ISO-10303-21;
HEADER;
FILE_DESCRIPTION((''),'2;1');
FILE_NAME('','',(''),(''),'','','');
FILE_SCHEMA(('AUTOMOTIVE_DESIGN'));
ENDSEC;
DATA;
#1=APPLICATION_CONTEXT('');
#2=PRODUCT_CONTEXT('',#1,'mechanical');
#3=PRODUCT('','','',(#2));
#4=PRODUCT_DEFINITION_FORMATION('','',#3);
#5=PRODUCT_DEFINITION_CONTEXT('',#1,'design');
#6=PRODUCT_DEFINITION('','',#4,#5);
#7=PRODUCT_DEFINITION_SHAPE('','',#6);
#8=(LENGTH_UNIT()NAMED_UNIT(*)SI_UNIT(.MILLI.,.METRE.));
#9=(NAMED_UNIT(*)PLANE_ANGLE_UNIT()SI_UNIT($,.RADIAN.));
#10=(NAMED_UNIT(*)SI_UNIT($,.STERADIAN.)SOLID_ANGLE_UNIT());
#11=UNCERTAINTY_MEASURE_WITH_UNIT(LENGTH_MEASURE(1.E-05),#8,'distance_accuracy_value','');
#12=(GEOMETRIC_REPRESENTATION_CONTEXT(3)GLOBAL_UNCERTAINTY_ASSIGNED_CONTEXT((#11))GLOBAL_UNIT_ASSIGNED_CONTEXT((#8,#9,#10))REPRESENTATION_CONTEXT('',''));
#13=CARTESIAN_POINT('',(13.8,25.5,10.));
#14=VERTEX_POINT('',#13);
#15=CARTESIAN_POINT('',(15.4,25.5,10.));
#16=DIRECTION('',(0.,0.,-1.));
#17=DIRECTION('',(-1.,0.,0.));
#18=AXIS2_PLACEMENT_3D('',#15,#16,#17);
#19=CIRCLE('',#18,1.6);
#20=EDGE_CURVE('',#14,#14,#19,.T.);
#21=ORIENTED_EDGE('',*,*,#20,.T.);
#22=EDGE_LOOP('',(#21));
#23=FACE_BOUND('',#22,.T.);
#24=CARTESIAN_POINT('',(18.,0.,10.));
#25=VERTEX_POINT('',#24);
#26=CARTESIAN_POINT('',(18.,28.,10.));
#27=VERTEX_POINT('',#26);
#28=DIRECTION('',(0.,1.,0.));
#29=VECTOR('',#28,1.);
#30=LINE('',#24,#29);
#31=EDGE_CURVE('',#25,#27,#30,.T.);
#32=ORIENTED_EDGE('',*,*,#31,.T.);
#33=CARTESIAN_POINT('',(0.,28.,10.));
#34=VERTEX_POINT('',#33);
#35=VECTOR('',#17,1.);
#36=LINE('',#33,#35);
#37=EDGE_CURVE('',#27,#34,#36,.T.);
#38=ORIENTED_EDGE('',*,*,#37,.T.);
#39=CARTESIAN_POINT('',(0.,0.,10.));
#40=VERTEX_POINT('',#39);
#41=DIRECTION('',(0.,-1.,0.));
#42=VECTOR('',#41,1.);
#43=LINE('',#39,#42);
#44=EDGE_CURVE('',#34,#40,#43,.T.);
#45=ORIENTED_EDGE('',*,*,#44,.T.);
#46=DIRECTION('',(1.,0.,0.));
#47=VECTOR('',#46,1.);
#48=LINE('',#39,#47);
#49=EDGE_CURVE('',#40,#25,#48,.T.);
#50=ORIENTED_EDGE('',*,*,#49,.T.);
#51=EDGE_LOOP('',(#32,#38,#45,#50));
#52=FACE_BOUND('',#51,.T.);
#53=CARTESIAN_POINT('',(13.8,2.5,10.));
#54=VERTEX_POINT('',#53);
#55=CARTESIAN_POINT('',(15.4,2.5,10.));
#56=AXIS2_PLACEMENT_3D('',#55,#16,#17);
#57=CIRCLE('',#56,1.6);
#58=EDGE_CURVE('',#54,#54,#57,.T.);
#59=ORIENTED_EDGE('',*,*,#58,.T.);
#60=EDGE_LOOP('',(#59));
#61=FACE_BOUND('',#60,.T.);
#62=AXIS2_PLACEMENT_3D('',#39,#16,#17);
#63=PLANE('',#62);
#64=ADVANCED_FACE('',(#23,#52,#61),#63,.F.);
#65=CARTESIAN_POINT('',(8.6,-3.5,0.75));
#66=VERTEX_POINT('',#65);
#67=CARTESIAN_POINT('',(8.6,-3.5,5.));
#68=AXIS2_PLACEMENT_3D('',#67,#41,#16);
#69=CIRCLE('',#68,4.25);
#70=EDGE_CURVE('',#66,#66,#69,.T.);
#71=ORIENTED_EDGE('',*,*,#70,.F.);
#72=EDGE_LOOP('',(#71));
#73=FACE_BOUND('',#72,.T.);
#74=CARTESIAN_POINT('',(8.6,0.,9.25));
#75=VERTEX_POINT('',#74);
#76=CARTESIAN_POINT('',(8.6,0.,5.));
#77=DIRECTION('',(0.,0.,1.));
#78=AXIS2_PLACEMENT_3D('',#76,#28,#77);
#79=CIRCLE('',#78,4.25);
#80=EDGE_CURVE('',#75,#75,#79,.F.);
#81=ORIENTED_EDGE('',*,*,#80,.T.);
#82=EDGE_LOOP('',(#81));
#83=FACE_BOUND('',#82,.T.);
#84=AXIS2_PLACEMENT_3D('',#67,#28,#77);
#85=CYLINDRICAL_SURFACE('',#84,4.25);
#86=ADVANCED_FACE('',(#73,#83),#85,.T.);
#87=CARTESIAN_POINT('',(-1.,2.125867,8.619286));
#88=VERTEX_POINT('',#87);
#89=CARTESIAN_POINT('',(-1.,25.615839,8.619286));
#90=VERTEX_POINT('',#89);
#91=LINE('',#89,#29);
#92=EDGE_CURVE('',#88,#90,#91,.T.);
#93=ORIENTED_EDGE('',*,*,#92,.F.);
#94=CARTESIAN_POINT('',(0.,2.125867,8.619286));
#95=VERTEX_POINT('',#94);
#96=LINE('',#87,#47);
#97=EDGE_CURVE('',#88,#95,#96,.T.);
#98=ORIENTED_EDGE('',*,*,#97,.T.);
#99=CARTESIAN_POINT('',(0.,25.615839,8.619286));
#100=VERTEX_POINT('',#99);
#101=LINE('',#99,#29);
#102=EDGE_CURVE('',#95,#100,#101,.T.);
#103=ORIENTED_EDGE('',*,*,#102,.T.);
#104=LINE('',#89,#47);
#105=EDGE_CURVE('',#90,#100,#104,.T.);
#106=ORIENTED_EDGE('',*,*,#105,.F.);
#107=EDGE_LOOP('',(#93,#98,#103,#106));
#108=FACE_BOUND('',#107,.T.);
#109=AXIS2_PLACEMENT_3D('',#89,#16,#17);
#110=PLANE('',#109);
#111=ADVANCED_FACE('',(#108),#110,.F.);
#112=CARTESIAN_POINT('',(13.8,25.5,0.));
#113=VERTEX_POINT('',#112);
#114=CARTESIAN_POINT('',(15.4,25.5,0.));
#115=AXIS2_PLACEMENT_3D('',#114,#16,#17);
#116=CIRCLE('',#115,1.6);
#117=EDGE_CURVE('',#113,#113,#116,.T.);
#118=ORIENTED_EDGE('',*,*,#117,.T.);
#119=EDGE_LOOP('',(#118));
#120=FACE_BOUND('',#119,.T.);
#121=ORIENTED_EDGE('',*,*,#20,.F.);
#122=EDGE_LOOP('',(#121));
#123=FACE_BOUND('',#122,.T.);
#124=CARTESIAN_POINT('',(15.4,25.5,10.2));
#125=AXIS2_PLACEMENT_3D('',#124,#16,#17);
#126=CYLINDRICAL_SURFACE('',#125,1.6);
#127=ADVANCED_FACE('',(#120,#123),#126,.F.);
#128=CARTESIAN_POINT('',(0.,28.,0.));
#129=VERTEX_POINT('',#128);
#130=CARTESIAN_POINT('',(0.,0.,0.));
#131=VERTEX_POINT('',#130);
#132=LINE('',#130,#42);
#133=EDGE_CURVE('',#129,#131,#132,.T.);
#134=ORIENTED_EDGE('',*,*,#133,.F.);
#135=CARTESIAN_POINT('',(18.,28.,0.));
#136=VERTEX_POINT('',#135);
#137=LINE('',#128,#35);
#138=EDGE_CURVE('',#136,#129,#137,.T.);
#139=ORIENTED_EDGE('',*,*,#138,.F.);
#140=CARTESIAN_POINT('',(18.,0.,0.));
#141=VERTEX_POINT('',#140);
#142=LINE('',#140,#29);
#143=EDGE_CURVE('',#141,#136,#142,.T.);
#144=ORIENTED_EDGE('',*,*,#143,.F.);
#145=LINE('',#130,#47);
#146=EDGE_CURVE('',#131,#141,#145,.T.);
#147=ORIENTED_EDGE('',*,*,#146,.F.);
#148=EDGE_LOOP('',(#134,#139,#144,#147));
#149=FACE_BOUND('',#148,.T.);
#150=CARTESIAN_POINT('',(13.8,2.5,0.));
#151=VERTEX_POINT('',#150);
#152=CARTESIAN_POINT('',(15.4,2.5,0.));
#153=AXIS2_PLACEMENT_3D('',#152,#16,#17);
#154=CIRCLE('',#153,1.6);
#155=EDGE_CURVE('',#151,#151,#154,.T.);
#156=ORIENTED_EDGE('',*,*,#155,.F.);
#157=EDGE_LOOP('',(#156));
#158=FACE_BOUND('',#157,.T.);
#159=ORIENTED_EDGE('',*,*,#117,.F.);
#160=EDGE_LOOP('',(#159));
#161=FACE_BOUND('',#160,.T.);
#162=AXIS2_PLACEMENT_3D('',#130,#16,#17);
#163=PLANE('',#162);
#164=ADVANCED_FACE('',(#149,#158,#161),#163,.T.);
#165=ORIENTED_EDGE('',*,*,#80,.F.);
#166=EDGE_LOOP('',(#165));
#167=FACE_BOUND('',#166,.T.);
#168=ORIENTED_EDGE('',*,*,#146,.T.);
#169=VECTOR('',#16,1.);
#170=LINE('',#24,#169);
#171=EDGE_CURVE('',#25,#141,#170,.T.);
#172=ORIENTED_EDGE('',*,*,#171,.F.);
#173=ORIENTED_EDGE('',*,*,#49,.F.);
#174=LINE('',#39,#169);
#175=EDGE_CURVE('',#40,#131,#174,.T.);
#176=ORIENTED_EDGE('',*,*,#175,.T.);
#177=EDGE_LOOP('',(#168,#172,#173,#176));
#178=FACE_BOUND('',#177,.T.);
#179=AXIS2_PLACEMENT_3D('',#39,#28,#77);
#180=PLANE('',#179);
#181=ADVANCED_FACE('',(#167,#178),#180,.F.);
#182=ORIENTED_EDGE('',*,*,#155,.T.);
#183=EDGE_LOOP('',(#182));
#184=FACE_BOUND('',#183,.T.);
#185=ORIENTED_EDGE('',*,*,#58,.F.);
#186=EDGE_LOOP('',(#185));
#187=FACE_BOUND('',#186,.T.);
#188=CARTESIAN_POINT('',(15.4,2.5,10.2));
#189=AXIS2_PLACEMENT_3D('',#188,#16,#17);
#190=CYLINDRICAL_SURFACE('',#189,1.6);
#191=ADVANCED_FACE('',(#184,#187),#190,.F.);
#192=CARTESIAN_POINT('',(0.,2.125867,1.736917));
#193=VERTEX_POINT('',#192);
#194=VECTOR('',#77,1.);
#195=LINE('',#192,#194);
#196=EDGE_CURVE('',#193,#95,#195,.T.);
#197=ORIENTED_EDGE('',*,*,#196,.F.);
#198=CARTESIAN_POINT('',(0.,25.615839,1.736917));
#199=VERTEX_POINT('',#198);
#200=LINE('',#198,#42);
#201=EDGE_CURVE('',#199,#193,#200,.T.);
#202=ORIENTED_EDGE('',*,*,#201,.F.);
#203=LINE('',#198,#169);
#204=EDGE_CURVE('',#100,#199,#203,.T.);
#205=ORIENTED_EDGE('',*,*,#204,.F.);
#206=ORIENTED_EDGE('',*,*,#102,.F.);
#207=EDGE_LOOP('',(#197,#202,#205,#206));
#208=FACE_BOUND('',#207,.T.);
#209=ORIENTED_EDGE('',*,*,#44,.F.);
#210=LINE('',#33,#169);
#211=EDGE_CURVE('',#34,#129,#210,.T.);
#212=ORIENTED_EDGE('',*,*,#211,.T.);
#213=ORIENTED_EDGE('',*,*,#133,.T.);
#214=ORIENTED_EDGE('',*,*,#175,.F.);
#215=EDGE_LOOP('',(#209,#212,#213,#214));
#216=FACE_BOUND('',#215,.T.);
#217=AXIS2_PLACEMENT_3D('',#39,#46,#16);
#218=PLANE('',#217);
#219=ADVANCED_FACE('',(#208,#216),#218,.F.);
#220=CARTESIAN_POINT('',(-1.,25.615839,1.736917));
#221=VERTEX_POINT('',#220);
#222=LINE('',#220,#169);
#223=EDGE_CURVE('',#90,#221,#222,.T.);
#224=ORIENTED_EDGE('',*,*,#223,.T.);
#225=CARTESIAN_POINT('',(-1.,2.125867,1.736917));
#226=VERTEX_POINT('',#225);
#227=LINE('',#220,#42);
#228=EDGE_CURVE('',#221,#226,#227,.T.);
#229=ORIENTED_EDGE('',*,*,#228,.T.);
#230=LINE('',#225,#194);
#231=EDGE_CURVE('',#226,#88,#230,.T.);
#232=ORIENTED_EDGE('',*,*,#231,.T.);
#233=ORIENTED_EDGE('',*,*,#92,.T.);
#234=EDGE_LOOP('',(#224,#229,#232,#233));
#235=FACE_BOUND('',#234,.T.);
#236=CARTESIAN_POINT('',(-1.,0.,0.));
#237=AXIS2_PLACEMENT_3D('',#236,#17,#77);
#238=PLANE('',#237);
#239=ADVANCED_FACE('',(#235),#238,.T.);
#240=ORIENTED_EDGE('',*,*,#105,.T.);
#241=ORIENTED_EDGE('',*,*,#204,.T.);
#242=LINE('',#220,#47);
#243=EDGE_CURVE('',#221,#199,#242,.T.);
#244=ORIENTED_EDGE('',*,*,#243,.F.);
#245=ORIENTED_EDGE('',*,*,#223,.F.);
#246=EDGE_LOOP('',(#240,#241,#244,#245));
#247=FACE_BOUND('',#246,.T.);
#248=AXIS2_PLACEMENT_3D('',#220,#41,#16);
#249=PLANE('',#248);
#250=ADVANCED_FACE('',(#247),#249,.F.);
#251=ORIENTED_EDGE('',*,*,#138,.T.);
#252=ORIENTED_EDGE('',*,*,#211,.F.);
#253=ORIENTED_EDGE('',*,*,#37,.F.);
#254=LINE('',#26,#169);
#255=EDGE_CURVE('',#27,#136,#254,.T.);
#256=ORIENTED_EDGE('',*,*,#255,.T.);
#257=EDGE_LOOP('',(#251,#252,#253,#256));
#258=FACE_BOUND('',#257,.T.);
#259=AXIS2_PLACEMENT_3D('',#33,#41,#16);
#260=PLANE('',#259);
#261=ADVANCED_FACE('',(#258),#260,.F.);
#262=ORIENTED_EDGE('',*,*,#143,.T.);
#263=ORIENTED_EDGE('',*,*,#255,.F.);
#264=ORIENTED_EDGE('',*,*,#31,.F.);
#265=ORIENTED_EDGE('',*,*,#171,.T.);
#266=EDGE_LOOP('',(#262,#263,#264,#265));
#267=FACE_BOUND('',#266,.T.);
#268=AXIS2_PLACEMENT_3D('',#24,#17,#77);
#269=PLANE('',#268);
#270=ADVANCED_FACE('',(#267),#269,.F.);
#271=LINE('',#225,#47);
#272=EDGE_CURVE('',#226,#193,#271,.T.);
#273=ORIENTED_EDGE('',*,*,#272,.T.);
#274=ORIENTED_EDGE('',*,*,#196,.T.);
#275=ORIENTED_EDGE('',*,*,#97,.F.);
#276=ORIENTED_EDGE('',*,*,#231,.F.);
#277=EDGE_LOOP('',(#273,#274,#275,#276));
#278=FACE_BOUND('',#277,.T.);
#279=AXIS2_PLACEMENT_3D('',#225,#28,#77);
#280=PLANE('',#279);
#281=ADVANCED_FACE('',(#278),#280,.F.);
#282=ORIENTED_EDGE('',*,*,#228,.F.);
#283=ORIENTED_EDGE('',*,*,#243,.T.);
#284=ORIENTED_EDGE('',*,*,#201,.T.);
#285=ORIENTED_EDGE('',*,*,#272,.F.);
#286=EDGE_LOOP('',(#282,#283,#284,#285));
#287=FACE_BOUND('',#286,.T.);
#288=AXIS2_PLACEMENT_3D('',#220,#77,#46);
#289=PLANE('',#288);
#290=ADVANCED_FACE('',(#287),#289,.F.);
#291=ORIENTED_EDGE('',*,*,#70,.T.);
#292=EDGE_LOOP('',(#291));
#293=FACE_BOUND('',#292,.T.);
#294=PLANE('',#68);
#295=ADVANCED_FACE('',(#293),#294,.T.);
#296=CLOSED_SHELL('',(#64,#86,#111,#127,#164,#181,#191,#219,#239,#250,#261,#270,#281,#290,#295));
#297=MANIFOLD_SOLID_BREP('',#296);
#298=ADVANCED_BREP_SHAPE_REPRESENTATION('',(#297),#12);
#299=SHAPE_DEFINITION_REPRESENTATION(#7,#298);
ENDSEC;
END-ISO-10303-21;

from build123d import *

# Parameters (mm, degrees)
ESQUISSE1_W             = 18
ESQUISSE1_H             = 28
BOSS_EXTRU_1_DEPTH      = 10
ESQUISSE3_R             = 4.25
BOSS_EXTRU_2_DEPTH      = 3.5
ESQUISSE4_R             = 1.6
ENL_V_MAT_EXTRU_1_DEPTH = 10.2
ESQUISSE5_R             = 1.6
ENL_V_MAT_EXTRU_2_DEPTH = 10.2
ESQUISSE6_W             = 6.88236931
ESQUISSE6_H             = 23.48997152
BOSS_EXTRU_3_DEPTH      = 1


with BuildPart() as part:
    # Esquisse1 → Boss.-Extru.1 (new body)
    with BuildSketch(Plane.XY):
        with Locations((9, 14)):
            Rectangle(ESQUISSE1_W, ESQUISSE1_H)
    extrude(amount=BOSS_EXTRU_1_DEPTH)

    # Esquisse3 → Boss.-Extru.2 (add)
    with BuildSketch(Plane.XZ):
        with Locations(Location((8.6, 5, 0), (0, 0, 90))):
            Circle(ESQUISSE3_R)
    extrude(amount=BOSS_EXTRU_2_DEPTH)

    # Esquisse4 → Enlèv. mat.-Extru.1 (cut)
    with BuildSketch(Plane(origin=(0, 0, 0), x_dir=(-1, 0, 0), z_dir=(0, 0, -1))):
        with Locations((-15.4, 25.5)):
            Circle(ESQUISSE4_R)
    extrude(amount=-ENL_V_MAT_EXTRU_1_DEPTH, mode=Mode.SUBTRACT)

    # Esquisse5 → Enlèv. mat.-Extru.2 (cut)
    with BuildSketch(Plane(origin=(0, 0, 0), x_dir=(-1, 0, 0), z_dir=(0, 0, -1))):
        with Locations((-15.4, 2.5)):
            Circle(ESQUISSE5_R)
    extrude(amount=-ENL_V_MAT_EXTRU_2_DEPTH, mode=Mode.SUBTRACT)

    # Esquisse6 → Boss.-Extru.3 (add)
    with BuildSketch(Plane.ZY):
        with Locations((5.178101781, 13.870853196)):
            Rectangle(ESQUISSE6_W, ESQUISSE6_H)
    extrude(amount=BOSS_EXTRU_3_DEPTH)


solid = part.part
